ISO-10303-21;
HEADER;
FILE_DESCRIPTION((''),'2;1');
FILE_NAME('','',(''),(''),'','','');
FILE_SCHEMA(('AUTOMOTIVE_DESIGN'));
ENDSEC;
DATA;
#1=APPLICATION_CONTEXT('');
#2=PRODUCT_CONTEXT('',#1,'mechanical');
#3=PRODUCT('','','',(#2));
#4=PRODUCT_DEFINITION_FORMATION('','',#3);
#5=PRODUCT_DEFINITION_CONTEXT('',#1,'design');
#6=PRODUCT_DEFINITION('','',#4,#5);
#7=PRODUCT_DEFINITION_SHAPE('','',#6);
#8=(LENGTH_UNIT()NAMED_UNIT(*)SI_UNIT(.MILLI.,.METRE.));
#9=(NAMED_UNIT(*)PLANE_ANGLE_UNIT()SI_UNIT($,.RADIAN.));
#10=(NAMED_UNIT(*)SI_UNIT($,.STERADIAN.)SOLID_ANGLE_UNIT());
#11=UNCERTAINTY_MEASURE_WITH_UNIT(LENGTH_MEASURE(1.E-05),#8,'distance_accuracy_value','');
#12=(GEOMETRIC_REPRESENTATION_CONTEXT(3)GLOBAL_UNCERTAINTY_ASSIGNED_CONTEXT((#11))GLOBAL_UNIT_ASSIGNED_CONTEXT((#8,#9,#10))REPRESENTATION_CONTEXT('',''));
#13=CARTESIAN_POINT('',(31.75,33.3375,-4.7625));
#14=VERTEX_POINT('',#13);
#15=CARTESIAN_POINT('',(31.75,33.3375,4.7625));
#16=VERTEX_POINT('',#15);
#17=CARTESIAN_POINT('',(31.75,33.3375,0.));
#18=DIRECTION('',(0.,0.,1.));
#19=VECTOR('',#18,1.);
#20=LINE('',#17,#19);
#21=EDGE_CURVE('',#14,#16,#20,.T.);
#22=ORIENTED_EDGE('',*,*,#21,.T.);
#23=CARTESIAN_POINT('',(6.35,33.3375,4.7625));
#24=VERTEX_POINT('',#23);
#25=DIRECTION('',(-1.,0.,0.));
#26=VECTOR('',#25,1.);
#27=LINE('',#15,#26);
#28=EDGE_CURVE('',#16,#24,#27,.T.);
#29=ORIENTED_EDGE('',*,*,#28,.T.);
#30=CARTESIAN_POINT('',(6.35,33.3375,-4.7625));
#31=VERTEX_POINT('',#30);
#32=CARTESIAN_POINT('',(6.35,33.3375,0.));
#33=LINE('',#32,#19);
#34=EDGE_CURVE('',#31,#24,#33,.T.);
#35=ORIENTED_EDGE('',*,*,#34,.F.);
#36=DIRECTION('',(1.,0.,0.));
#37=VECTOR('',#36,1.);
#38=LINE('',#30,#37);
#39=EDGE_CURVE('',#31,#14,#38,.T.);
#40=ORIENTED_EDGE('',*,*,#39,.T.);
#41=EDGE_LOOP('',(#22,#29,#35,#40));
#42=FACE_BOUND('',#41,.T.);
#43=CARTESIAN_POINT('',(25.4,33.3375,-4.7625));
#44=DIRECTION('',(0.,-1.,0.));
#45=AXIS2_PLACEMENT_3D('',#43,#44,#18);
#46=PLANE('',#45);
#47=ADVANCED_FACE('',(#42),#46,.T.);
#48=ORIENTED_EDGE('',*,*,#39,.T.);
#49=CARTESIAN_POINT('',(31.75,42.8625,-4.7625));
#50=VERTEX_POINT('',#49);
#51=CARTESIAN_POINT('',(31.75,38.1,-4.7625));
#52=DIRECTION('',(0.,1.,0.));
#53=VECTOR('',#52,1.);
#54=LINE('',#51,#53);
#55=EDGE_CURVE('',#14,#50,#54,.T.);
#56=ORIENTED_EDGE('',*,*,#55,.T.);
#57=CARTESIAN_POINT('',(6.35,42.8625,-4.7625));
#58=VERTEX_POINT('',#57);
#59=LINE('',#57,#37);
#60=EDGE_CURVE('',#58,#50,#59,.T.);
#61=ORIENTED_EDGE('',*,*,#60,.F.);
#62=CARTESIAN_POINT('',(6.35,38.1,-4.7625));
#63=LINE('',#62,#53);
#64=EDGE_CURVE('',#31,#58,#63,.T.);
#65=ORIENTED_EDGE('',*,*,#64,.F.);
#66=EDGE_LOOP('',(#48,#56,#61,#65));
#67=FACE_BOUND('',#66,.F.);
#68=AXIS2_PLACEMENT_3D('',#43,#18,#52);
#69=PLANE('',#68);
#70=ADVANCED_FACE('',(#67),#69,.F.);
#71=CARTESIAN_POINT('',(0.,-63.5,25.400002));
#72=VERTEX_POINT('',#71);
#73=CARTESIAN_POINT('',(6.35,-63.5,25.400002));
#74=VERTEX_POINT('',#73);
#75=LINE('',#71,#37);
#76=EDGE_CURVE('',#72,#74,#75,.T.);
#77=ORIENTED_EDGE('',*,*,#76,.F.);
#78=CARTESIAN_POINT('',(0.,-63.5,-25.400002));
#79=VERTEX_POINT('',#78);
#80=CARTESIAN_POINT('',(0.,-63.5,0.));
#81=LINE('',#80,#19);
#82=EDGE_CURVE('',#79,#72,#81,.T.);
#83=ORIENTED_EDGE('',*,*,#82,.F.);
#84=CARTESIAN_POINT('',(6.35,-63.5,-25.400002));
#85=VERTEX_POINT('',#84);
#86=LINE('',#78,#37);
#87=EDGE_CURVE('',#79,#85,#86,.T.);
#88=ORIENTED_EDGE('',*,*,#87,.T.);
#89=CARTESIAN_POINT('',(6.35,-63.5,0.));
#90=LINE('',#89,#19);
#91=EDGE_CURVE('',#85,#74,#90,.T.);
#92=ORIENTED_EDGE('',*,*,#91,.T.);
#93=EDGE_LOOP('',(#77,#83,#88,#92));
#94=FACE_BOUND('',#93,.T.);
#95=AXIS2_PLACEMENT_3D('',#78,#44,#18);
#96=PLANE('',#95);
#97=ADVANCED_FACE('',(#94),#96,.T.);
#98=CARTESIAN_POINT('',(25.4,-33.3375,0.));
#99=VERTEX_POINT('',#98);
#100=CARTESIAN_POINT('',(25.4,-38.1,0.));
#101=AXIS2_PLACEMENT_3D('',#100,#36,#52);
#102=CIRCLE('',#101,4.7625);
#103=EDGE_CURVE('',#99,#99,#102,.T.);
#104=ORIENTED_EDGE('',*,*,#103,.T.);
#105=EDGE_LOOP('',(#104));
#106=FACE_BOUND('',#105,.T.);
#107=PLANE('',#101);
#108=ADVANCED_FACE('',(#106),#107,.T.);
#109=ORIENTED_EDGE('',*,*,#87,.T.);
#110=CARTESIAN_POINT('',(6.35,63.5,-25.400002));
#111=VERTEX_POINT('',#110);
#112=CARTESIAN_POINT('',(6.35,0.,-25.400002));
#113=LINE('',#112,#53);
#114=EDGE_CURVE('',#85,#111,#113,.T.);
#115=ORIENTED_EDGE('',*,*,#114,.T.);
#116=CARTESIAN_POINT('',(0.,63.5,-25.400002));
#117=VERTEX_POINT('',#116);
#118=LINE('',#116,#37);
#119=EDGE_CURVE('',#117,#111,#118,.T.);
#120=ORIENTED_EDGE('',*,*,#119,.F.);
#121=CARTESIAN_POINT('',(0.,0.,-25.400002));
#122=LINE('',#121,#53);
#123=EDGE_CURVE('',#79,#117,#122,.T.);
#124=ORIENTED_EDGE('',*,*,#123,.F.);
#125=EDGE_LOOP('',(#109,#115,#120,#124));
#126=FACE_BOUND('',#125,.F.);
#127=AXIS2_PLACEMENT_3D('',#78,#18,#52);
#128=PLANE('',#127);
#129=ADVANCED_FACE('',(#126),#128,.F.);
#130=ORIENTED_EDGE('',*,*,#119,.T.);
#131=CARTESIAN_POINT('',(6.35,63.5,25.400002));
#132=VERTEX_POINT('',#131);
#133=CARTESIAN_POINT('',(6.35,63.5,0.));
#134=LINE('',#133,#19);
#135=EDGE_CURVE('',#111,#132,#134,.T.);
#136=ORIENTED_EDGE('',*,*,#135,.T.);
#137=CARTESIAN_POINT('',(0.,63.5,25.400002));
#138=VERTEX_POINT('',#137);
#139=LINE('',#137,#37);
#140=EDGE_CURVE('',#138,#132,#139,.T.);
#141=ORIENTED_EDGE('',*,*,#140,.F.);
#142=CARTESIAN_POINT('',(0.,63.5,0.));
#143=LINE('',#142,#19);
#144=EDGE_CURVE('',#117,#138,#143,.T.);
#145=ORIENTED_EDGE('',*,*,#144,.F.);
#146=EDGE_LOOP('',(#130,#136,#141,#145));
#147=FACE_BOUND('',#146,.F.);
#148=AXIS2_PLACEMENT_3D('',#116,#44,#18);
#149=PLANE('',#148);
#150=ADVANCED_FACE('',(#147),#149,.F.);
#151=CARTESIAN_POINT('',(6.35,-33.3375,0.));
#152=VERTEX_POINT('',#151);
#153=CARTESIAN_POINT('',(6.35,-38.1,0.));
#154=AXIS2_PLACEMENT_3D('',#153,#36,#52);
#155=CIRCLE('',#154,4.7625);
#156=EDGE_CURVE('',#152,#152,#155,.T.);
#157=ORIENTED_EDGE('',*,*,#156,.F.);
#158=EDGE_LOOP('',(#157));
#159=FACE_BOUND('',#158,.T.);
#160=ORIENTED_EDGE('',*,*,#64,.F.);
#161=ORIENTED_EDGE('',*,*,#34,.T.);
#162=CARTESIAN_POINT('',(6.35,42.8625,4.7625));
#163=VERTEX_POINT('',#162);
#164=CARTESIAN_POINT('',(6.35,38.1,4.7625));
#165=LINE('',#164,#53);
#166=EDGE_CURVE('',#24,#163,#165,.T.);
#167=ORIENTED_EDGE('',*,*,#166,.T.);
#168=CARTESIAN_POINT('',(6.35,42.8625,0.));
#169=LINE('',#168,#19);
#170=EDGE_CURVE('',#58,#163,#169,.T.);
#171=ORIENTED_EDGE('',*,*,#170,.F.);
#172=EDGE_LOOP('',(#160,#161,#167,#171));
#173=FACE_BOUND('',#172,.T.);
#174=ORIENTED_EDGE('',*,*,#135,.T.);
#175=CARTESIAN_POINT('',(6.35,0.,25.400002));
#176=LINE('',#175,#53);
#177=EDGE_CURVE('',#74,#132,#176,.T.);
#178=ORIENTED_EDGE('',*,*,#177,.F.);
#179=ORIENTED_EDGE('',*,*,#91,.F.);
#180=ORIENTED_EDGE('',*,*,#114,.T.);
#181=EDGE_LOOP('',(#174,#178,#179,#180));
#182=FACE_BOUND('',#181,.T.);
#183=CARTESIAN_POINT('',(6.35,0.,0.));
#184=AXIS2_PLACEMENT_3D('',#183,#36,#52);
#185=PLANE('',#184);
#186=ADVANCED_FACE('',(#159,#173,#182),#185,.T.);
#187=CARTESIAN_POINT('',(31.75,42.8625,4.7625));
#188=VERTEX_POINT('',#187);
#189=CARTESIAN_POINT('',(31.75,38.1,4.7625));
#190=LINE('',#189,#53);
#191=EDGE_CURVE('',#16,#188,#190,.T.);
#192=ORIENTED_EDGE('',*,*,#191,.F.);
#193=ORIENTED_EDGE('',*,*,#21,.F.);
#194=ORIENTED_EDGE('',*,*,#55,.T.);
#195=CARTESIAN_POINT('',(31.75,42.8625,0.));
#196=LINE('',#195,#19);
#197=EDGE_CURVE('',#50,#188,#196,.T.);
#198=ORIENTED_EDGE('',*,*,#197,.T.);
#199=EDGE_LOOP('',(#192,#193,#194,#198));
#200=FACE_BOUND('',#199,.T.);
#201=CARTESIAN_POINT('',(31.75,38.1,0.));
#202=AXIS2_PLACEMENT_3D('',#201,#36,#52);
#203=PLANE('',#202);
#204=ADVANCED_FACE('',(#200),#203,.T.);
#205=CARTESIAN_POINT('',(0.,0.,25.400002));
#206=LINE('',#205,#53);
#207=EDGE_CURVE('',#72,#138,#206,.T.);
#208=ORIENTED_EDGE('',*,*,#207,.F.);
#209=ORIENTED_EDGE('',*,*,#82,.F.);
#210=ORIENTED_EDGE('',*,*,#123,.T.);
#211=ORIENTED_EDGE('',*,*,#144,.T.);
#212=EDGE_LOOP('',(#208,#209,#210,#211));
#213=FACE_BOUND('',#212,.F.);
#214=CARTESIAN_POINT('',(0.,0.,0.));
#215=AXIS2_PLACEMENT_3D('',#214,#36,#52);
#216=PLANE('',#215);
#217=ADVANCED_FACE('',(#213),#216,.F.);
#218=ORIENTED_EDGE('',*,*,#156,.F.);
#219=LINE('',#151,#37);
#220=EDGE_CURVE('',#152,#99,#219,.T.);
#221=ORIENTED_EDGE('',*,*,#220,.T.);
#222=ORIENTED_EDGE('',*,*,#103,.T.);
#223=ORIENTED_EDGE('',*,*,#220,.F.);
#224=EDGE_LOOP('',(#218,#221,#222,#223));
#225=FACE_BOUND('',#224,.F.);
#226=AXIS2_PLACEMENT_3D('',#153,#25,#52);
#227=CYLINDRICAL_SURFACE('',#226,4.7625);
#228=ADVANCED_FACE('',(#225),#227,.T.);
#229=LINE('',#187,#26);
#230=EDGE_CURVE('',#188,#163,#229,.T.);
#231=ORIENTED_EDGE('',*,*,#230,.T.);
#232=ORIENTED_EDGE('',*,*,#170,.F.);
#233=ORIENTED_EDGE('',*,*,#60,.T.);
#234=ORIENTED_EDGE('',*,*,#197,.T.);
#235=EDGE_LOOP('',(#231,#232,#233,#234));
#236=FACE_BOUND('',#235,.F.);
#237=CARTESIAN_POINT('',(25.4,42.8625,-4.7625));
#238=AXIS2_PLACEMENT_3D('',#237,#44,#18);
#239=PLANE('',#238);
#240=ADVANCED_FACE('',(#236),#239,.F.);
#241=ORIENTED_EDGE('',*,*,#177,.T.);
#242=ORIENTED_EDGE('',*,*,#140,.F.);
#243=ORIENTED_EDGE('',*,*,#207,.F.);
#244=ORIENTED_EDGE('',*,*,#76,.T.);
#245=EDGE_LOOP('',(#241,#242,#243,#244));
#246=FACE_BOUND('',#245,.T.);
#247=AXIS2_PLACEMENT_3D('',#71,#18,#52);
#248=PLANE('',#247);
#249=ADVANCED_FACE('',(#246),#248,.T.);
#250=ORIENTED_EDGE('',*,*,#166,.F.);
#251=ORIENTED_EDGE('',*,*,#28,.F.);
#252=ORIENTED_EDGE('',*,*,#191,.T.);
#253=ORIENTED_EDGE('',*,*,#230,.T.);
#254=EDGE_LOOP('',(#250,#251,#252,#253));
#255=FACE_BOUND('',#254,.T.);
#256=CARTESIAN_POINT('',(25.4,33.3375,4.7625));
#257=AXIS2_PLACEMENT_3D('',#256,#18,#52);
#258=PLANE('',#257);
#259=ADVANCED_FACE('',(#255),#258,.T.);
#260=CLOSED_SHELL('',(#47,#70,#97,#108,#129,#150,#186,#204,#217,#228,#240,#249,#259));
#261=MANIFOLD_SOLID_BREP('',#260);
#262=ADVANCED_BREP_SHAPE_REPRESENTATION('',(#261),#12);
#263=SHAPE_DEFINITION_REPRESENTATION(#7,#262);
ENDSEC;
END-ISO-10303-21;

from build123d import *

# Parameters (mm, degrees)
F0_W      = 127
F0_H      = 50.800004
F1_DEPTH  = 6.35
F2_R      = 4.7625
F2_W      = 9.525
F2_H      = 9.525
F3_DEPTH  = 19.05
F3_FACE_W = 9.525
F3_FACE_H = 9.525
F4_DEPTH  = 6.35


with BuildPart() as f1:
    # F0 (on Right) → F1 (new body)
    with BuildSketch(Plane.YZ):
        Rectangle(F0_W, F0_H)
    extrude(amount=F1_DEPTH)

    # F2 (on face) → F3 (join)
    with BuildSketch(Plane.YZ.offset(6.35)):
        with Locations((-38.1, 0)):
            Circle(F2_R)
        with Locations((38.1, 0)):
            Rectangle(F2_W, F2_H)
    extrude(amount=F3_DEPTH)

    # F3_face (on face) → F4 (join)
    with BuildSketch(Plane(origin=(25.4, 38.1, 0), x_dir=(0, 1, 0), z_dir=(1, 0, 0))):
        Rectangle(F3_FACE_W, F3_FACE_H)
    extrude(amount=F4_DEPTH)


solid = f1.part
